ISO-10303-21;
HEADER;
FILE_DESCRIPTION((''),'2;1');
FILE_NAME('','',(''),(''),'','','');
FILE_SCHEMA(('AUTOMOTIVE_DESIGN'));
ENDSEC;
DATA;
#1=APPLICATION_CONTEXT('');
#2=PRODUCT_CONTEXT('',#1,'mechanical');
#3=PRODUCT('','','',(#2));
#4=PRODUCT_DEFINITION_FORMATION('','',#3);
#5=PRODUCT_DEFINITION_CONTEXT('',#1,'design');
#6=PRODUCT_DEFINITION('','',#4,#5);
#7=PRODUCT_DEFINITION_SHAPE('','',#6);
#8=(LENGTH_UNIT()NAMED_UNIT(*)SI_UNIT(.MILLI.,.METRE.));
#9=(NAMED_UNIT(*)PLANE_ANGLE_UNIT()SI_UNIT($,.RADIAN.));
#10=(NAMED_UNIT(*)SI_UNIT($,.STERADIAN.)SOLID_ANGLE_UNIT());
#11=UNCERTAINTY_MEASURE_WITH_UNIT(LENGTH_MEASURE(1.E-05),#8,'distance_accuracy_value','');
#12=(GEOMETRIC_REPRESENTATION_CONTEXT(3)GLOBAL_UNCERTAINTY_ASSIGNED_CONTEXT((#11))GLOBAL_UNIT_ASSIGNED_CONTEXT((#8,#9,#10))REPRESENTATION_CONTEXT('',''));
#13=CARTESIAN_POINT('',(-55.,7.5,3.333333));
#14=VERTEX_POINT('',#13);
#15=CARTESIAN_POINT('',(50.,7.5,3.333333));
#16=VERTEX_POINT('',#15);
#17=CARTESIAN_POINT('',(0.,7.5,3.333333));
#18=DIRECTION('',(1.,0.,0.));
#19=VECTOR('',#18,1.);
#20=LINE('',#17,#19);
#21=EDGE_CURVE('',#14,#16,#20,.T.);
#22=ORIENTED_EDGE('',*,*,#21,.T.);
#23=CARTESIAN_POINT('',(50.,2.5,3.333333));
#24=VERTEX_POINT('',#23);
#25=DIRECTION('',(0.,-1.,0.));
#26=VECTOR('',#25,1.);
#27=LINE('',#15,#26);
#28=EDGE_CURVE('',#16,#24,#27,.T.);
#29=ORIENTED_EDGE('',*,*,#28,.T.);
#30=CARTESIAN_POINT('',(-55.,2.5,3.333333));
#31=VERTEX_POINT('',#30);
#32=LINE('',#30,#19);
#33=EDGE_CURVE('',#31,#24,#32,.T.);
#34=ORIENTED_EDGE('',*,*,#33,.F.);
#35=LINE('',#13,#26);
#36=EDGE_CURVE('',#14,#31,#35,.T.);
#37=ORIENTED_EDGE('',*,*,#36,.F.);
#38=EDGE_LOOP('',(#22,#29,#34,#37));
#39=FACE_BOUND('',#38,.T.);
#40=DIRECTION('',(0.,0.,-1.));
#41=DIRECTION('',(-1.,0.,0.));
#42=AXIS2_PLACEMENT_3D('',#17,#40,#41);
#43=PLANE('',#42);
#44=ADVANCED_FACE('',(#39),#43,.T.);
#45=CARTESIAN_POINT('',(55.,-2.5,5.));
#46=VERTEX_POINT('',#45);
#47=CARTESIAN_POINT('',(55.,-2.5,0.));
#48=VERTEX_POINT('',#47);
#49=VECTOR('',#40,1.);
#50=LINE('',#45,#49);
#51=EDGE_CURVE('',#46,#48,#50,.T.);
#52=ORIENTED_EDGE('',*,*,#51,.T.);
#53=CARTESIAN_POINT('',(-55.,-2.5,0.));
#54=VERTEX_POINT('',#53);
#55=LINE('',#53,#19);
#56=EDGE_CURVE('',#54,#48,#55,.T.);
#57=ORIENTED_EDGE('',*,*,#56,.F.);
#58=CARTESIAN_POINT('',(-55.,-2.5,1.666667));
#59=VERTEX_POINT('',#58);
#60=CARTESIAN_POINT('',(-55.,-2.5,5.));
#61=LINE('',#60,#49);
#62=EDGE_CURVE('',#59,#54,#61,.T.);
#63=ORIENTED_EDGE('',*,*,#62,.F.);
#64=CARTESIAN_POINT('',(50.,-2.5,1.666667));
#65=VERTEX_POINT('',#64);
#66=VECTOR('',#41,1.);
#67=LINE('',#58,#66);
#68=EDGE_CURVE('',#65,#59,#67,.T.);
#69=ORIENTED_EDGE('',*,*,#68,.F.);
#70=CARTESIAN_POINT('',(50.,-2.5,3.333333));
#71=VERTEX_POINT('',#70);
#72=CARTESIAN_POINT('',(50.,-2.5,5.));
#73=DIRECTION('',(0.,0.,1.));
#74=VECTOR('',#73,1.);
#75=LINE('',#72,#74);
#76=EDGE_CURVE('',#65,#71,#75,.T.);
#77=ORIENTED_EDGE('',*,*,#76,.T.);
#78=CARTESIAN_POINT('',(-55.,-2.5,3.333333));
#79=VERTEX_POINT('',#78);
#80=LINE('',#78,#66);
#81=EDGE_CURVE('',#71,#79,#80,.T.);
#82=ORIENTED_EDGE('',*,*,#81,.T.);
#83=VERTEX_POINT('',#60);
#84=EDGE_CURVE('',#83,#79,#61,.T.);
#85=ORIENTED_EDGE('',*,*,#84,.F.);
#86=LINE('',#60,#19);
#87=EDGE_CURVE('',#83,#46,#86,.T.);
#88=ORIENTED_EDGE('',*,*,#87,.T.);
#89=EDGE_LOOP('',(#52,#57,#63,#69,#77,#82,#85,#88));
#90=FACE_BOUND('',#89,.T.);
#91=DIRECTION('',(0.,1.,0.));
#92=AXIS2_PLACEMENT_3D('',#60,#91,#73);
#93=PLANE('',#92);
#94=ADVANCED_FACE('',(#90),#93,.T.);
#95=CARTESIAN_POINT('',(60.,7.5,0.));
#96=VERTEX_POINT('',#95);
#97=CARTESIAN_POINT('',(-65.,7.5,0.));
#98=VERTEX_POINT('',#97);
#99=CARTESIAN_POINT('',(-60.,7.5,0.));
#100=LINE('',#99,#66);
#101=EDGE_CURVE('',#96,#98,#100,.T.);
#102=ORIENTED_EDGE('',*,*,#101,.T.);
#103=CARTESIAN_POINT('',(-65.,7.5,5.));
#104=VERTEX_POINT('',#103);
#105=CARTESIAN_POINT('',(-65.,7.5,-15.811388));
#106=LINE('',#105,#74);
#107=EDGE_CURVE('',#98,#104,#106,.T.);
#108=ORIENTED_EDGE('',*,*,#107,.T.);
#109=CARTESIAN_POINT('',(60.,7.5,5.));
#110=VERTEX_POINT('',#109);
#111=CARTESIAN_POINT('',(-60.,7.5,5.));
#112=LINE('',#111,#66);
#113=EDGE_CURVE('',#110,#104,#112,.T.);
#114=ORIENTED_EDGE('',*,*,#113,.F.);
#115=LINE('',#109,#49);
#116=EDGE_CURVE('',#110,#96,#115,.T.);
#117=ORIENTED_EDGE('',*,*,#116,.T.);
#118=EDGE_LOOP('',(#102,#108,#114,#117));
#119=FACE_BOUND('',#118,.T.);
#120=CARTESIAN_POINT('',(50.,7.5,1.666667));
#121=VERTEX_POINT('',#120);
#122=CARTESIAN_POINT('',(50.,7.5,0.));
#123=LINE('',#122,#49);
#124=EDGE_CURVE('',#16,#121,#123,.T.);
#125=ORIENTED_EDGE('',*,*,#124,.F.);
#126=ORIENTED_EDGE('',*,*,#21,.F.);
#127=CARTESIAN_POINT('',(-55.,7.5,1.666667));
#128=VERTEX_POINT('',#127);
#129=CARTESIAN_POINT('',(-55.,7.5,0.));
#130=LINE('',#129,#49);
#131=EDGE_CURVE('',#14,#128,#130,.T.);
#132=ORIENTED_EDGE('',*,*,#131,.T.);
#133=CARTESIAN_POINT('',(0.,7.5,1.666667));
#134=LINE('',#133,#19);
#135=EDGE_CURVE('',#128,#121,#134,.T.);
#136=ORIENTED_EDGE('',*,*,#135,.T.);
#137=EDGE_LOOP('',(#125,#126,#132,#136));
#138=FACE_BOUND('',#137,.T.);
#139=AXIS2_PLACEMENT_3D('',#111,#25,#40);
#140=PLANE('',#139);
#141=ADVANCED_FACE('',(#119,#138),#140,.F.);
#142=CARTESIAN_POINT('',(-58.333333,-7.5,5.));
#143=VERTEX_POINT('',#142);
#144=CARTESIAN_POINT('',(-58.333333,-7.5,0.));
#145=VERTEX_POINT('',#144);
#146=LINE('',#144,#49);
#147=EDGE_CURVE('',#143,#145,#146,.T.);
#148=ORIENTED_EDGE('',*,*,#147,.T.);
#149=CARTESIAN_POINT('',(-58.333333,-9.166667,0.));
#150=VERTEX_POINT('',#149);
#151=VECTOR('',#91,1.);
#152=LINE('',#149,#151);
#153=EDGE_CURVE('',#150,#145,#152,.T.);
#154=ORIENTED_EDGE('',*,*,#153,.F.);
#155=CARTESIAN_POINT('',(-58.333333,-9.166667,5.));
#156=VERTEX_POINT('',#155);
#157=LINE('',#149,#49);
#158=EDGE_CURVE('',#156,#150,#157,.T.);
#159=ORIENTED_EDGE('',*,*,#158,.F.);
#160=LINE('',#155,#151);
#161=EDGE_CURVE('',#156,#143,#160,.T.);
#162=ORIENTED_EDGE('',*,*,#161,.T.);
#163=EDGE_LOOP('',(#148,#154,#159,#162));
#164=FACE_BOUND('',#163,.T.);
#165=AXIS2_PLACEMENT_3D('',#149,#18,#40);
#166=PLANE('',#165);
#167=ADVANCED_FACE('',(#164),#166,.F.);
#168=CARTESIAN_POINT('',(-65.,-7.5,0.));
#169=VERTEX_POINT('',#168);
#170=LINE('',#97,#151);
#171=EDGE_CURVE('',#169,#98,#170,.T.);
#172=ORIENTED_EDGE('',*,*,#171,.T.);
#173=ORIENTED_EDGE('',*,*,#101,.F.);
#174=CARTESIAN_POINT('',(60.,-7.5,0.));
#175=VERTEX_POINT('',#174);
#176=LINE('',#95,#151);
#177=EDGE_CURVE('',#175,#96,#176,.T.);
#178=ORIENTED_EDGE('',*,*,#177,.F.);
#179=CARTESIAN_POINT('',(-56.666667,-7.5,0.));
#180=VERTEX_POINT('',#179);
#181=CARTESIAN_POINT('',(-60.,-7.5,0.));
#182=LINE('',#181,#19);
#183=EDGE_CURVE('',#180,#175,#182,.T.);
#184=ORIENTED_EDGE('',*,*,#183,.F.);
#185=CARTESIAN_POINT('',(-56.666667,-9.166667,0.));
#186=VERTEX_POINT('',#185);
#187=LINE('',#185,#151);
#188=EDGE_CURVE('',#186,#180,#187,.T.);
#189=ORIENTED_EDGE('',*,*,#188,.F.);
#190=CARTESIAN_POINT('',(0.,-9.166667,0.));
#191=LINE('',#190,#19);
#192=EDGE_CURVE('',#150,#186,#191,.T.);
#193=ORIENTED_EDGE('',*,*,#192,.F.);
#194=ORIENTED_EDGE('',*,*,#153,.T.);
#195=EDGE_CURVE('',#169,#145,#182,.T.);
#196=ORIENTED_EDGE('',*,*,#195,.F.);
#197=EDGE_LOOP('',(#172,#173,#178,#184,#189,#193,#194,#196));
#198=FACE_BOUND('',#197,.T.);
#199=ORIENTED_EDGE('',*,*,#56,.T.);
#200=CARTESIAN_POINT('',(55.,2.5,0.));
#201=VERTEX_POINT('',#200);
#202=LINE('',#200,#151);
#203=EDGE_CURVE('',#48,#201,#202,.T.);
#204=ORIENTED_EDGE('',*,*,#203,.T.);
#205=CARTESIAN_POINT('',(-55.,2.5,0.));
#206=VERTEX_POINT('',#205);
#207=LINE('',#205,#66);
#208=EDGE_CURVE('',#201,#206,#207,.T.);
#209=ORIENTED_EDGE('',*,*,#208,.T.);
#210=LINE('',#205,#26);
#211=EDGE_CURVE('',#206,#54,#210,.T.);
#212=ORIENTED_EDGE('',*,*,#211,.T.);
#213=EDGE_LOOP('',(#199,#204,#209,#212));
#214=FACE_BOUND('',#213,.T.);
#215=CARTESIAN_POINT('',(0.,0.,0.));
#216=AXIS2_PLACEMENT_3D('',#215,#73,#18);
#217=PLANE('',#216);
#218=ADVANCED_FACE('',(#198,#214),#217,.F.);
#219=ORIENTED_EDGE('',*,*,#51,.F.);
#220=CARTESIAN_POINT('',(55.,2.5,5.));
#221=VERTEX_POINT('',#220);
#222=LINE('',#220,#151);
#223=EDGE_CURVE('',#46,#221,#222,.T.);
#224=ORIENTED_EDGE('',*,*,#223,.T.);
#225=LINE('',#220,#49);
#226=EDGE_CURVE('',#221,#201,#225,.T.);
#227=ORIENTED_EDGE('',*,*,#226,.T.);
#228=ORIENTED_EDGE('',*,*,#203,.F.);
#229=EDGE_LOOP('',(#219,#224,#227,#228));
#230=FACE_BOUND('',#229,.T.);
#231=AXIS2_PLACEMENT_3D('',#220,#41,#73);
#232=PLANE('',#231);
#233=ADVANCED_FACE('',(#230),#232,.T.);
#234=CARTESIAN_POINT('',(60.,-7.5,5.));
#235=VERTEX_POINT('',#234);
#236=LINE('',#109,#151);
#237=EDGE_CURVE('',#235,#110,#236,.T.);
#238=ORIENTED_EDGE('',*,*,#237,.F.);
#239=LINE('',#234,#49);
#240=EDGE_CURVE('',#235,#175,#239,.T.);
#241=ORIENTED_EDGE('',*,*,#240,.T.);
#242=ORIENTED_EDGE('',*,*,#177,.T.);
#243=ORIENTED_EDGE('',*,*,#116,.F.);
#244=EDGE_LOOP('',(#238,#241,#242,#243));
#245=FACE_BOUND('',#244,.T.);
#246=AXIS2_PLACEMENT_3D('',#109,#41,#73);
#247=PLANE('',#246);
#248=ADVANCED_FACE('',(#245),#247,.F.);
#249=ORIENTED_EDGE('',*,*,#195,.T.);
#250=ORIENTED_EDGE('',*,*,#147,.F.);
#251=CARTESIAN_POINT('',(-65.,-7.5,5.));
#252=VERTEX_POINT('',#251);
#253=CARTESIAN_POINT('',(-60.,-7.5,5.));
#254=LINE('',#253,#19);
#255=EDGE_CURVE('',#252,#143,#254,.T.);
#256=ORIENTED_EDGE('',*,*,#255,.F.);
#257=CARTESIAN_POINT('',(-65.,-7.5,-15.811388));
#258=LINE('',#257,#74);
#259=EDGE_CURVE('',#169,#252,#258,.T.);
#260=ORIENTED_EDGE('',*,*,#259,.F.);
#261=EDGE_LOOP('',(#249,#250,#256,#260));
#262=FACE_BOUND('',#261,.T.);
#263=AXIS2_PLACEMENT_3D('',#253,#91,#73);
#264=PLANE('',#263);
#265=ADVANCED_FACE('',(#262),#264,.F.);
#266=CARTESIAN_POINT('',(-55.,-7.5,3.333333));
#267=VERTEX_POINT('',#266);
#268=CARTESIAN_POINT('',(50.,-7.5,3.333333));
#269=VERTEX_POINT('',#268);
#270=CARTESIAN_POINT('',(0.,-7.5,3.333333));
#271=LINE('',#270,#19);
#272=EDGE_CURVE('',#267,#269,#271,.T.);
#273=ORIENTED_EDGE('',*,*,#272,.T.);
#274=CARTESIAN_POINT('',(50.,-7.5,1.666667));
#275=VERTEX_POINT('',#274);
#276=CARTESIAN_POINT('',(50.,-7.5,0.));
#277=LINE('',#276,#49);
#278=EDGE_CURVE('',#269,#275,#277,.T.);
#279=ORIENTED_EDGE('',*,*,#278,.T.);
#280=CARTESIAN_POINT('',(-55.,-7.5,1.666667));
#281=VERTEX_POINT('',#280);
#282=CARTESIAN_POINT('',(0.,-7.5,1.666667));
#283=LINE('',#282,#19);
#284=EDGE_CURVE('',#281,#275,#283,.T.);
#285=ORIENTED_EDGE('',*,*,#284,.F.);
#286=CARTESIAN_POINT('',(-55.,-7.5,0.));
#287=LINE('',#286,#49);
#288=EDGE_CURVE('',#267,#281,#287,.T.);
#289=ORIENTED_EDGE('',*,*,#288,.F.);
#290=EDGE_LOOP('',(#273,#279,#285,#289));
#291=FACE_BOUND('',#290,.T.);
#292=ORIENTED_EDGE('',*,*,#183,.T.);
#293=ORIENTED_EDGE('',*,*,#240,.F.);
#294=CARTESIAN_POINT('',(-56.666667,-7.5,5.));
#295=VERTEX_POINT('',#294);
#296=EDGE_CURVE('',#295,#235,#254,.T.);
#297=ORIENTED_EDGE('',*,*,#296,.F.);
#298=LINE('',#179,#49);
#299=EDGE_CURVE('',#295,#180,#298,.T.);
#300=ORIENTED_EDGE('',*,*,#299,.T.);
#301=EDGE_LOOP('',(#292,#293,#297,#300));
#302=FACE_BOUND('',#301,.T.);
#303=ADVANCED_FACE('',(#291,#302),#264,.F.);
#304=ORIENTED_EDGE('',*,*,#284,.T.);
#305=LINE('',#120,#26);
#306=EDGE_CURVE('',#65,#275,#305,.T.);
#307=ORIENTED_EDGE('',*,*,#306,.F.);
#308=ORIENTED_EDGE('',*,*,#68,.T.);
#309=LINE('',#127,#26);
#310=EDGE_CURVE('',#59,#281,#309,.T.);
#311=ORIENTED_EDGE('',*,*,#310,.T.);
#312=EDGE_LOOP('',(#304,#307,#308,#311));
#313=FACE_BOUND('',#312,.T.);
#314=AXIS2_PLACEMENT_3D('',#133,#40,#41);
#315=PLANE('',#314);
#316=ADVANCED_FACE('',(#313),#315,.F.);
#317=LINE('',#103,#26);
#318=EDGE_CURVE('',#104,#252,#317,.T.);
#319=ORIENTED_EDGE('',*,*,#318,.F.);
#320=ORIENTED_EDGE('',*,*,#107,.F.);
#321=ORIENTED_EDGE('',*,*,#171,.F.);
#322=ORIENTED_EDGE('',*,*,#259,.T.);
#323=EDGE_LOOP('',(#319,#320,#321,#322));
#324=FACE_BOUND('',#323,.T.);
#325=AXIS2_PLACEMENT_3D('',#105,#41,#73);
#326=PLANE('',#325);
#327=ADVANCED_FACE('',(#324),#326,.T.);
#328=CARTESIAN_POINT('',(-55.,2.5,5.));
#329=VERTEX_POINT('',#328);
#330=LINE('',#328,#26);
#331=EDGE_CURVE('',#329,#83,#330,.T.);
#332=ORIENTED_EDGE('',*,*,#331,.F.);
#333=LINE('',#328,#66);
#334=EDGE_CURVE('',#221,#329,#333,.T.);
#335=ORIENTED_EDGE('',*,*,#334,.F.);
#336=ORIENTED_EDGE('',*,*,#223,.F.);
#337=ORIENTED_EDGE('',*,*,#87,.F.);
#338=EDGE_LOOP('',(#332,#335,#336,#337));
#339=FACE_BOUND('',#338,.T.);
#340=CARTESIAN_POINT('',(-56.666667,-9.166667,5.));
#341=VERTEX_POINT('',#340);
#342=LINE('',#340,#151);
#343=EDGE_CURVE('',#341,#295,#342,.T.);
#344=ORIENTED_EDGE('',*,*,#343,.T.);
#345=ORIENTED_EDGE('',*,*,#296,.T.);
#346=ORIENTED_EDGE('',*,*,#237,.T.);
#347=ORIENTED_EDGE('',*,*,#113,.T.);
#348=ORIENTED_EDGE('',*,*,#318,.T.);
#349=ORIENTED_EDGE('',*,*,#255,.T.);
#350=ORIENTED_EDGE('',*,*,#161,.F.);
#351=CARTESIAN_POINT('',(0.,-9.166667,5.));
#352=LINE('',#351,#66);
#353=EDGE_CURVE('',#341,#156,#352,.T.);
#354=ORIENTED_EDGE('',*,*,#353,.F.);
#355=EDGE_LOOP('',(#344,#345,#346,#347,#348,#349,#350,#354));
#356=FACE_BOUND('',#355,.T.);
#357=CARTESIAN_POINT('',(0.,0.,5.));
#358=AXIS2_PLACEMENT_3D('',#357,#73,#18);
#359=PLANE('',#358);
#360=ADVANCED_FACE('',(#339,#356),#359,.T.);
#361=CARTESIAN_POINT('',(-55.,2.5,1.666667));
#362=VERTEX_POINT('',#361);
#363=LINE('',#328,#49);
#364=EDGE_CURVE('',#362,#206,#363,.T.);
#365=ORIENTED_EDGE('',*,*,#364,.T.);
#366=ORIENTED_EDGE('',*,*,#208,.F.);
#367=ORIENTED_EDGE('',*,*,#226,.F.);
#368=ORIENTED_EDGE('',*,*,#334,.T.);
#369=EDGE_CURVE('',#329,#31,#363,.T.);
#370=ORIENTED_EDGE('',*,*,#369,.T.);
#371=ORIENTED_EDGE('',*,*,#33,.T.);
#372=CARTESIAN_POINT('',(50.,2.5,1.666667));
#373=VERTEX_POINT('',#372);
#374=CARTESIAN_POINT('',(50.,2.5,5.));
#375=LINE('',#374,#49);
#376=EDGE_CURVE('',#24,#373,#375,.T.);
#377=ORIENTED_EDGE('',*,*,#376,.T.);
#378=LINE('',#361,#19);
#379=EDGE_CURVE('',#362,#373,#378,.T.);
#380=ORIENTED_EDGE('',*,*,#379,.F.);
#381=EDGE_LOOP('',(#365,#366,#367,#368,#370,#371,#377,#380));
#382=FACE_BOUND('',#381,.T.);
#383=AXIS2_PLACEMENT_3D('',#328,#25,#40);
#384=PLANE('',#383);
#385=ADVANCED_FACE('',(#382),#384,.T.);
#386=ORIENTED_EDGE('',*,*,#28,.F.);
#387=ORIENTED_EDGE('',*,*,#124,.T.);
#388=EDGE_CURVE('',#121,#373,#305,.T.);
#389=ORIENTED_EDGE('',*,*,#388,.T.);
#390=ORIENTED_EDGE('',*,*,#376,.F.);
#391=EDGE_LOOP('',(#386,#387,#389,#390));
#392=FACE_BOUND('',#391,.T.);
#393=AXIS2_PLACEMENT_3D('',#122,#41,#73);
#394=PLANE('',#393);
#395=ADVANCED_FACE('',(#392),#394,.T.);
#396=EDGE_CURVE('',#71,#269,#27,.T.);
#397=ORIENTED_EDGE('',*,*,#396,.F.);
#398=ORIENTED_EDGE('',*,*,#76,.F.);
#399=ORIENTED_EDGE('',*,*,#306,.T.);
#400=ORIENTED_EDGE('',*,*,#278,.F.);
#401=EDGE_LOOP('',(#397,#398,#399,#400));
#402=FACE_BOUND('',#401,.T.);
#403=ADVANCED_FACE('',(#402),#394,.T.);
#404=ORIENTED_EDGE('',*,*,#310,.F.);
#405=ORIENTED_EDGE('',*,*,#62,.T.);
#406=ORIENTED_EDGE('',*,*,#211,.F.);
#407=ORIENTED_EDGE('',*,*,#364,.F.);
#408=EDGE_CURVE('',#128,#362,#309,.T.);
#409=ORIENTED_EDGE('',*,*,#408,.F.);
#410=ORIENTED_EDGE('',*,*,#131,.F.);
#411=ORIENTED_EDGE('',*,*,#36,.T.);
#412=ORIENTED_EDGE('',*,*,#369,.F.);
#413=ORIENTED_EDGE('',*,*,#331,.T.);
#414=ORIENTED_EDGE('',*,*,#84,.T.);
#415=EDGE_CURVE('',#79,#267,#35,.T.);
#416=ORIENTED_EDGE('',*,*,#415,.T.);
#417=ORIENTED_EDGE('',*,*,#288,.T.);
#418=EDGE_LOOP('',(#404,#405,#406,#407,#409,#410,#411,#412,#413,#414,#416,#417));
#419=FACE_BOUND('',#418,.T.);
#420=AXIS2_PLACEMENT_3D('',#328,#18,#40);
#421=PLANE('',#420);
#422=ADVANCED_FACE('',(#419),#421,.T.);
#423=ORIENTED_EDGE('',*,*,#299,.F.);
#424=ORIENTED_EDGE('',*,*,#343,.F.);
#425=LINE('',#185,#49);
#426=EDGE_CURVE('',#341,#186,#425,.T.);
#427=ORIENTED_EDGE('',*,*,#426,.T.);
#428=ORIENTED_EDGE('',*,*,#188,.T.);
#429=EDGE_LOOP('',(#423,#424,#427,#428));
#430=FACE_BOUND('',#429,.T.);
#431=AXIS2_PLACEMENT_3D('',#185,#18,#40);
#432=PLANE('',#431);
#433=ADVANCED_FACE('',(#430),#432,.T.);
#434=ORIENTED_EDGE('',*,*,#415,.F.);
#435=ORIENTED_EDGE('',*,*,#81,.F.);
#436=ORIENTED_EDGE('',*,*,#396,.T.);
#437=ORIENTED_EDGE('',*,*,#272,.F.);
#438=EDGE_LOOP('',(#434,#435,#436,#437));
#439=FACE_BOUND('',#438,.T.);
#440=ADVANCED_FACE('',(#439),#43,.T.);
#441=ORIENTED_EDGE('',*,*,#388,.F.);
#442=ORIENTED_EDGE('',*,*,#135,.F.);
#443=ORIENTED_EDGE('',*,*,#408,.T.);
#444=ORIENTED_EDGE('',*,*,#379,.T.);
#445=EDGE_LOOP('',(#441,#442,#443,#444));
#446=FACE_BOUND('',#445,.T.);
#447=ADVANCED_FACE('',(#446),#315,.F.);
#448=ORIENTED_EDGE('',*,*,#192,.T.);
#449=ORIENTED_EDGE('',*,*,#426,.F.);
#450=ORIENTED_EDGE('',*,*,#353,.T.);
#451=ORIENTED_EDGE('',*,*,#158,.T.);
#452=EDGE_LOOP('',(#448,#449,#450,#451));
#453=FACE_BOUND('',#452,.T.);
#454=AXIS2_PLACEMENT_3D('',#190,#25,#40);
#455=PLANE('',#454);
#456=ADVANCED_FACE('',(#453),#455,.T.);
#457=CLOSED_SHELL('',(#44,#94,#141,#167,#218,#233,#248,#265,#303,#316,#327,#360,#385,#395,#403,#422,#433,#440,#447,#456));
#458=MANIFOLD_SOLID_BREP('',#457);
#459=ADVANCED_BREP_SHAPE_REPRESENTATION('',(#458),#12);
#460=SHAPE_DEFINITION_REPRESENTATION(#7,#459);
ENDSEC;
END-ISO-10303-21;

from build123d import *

# Parameters (mm, degrees)
SKETCH1_W              = 120
SKETCH1_H              = 15
SKETCH1_W_2            = 110
SKETCH1_H_2            = 5
SLIDER_MAIN_BODY_DEPTH = 5
SKETCH2_W              = 1.666666666
SKETCH2_H              = 5
TRACK_SLIDER_DEPTH     = 1.666666667
SKETCH3_W              = 5
SKETCH3_H              = 15
HANDLE_DEPTH           = 5
SKETCH5_W              = 105
SKETCH5_H              = 1.666666666
CUT_EXTRUDE1_DEPTH     = 67.895440801


with BuildPart() as part:
    # Sketch1 → Slider Main Body (new body)
    with BuildSketch(Plane.XY):
        Rectangle(SKETCH1_W, SKETCH1_H)
        Rectangle(SKETCH1_W_2, SKETCH1_H_2, mode=Mode.SUBTRACT)
    extrude(amount=SLIDER_MAIN_BODY_DEPTH)

    # Sketch2 → Track Slider (add)
    with BuildSketch(Plane.XZ.offset(7.5)):
        with Locations((-57.5, 2.5)):
            Rectangle(SKETCH2_W, SKETCH2_H)
    extrude(amount=TRACK_SLIDER_DEPTH)

    # Sketch3 → Handle (add)
    with BuildSketch(Plane.XY.offset(5)):
        with Locations((-62.5, 0)):
            Rectangle(SKETCH3_W, SKETCH3_H)
    extrude(amount=-HANDLE_DEPTH)

    # Sketch5 → Cut-Extrude1 (cut, through all)
    with BuildSketch(Plane.XZ.offset(7.5)):
        with Locations((-2.5, 2.5)):
            Rectangle(SKETCH5_W, SKETCH5_H)
    extrude(amount=-CUT_EXTRUDE1_DEPTH, mode=Mode.SUBTRACT)


solid = part.part
